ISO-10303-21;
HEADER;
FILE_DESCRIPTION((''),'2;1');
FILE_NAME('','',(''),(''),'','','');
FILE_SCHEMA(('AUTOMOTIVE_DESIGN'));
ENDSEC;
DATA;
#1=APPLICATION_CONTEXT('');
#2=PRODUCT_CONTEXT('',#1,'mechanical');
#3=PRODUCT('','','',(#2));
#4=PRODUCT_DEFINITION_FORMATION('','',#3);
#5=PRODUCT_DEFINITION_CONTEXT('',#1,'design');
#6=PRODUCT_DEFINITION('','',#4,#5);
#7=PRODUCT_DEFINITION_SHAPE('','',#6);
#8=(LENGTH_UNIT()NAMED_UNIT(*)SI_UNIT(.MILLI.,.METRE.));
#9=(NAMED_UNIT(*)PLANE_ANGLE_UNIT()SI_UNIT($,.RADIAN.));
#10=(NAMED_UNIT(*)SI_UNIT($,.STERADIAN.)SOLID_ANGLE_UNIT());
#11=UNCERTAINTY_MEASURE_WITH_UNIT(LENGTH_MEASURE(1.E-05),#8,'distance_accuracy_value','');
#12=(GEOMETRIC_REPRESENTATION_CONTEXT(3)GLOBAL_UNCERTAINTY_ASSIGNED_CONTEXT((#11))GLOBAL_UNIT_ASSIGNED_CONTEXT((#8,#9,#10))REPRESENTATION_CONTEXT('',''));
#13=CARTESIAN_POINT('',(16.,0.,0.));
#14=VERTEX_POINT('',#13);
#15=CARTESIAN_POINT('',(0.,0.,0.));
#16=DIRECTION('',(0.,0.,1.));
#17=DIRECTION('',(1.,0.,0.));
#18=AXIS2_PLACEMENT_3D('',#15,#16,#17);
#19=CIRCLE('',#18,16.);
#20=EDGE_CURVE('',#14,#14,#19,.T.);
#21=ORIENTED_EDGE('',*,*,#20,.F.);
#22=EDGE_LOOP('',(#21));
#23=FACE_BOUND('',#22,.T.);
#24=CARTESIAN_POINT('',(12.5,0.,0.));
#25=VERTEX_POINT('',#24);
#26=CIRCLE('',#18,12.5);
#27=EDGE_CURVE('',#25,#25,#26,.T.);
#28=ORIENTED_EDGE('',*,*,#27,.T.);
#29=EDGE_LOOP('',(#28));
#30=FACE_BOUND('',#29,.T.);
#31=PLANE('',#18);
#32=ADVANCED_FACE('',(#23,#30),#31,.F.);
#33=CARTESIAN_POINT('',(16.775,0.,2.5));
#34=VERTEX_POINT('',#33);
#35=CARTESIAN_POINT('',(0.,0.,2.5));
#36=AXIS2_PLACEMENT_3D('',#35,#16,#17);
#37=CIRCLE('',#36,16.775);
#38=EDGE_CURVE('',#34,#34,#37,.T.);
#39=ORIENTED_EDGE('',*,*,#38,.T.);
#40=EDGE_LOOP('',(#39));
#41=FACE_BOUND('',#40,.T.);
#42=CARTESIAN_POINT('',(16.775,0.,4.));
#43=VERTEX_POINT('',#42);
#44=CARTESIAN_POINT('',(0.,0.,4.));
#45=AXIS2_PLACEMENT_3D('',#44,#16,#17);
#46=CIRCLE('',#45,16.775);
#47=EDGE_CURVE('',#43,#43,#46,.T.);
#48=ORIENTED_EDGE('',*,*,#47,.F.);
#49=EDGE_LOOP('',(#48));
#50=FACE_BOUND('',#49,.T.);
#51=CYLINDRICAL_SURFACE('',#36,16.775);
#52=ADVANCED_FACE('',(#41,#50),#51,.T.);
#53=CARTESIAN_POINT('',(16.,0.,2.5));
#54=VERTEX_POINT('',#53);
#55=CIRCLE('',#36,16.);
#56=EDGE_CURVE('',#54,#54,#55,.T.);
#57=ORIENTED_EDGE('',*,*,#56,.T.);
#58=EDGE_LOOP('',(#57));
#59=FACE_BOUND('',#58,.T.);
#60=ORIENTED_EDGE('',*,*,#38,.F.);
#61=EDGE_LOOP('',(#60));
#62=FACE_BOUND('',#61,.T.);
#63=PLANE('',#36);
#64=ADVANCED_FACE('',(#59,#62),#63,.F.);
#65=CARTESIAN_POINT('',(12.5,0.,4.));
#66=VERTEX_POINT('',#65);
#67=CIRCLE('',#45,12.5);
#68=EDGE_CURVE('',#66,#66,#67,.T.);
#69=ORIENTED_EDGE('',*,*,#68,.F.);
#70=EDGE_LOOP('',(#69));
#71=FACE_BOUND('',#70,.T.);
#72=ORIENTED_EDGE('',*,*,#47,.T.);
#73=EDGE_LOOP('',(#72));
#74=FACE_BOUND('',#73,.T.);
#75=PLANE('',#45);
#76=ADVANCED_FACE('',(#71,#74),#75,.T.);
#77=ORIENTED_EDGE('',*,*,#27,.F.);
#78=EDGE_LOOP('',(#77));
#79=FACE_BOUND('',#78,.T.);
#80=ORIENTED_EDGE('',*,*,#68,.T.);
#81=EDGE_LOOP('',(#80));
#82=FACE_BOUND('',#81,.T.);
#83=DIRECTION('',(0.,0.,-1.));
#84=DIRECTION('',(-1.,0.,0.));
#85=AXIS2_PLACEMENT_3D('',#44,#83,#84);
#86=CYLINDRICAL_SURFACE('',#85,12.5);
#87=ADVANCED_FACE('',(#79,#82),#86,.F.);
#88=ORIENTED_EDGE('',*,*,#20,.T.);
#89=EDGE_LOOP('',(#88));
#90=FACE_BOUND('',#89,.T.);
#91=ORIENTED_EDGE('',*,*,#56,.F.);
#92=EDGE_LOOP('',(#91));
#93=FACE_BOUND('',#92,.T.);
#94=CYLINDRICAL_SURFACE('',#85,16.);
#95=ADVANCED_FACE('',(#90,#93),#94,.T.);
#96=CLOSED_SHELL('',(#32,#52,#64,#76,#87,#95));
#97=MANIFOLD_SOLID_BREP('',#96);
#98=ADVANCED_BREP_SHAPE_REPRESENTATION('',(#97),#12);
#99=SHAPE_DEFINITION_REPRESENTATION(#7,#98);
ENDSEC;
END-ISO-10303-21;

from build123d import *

# Parameters (mm, degrees)
SKETCH_1_R      = 16
SKETCH_1_R_2    = 12.5
EXTRUDE_1_DEPTH = 4
EXTRUDE_START   = -1.5
SKETCH_2_R      = 16.775
SKETCH_2_R_2    = 12.5
EXTRUDE_2_DEPTH = 1.5


with BuildPart() as part:
    # 草图1 → 凸台-拉伸1 (new body)
    with BuildSketch(Plane.XY):
        Circle(SKETCH_1_R)
        Circle(SKETCH_1_R_2, mode=Mode.SUBTRACT)
    extrude(amount=EXTRUDE_1_DEPTH)

    # 草图2 → 凸台-拉伸2 (add)
    with BuildSketch(Plane.XY.offset(4).offset(EXTRUDE_START)):
        Circle(SKETCH_2_R)
        Circle(SKETCH_2_R_2, mode=Mode.SUBTRACT)
    extrude(amount=EXTRUDE_2_DEPTH)


solid = part.part
